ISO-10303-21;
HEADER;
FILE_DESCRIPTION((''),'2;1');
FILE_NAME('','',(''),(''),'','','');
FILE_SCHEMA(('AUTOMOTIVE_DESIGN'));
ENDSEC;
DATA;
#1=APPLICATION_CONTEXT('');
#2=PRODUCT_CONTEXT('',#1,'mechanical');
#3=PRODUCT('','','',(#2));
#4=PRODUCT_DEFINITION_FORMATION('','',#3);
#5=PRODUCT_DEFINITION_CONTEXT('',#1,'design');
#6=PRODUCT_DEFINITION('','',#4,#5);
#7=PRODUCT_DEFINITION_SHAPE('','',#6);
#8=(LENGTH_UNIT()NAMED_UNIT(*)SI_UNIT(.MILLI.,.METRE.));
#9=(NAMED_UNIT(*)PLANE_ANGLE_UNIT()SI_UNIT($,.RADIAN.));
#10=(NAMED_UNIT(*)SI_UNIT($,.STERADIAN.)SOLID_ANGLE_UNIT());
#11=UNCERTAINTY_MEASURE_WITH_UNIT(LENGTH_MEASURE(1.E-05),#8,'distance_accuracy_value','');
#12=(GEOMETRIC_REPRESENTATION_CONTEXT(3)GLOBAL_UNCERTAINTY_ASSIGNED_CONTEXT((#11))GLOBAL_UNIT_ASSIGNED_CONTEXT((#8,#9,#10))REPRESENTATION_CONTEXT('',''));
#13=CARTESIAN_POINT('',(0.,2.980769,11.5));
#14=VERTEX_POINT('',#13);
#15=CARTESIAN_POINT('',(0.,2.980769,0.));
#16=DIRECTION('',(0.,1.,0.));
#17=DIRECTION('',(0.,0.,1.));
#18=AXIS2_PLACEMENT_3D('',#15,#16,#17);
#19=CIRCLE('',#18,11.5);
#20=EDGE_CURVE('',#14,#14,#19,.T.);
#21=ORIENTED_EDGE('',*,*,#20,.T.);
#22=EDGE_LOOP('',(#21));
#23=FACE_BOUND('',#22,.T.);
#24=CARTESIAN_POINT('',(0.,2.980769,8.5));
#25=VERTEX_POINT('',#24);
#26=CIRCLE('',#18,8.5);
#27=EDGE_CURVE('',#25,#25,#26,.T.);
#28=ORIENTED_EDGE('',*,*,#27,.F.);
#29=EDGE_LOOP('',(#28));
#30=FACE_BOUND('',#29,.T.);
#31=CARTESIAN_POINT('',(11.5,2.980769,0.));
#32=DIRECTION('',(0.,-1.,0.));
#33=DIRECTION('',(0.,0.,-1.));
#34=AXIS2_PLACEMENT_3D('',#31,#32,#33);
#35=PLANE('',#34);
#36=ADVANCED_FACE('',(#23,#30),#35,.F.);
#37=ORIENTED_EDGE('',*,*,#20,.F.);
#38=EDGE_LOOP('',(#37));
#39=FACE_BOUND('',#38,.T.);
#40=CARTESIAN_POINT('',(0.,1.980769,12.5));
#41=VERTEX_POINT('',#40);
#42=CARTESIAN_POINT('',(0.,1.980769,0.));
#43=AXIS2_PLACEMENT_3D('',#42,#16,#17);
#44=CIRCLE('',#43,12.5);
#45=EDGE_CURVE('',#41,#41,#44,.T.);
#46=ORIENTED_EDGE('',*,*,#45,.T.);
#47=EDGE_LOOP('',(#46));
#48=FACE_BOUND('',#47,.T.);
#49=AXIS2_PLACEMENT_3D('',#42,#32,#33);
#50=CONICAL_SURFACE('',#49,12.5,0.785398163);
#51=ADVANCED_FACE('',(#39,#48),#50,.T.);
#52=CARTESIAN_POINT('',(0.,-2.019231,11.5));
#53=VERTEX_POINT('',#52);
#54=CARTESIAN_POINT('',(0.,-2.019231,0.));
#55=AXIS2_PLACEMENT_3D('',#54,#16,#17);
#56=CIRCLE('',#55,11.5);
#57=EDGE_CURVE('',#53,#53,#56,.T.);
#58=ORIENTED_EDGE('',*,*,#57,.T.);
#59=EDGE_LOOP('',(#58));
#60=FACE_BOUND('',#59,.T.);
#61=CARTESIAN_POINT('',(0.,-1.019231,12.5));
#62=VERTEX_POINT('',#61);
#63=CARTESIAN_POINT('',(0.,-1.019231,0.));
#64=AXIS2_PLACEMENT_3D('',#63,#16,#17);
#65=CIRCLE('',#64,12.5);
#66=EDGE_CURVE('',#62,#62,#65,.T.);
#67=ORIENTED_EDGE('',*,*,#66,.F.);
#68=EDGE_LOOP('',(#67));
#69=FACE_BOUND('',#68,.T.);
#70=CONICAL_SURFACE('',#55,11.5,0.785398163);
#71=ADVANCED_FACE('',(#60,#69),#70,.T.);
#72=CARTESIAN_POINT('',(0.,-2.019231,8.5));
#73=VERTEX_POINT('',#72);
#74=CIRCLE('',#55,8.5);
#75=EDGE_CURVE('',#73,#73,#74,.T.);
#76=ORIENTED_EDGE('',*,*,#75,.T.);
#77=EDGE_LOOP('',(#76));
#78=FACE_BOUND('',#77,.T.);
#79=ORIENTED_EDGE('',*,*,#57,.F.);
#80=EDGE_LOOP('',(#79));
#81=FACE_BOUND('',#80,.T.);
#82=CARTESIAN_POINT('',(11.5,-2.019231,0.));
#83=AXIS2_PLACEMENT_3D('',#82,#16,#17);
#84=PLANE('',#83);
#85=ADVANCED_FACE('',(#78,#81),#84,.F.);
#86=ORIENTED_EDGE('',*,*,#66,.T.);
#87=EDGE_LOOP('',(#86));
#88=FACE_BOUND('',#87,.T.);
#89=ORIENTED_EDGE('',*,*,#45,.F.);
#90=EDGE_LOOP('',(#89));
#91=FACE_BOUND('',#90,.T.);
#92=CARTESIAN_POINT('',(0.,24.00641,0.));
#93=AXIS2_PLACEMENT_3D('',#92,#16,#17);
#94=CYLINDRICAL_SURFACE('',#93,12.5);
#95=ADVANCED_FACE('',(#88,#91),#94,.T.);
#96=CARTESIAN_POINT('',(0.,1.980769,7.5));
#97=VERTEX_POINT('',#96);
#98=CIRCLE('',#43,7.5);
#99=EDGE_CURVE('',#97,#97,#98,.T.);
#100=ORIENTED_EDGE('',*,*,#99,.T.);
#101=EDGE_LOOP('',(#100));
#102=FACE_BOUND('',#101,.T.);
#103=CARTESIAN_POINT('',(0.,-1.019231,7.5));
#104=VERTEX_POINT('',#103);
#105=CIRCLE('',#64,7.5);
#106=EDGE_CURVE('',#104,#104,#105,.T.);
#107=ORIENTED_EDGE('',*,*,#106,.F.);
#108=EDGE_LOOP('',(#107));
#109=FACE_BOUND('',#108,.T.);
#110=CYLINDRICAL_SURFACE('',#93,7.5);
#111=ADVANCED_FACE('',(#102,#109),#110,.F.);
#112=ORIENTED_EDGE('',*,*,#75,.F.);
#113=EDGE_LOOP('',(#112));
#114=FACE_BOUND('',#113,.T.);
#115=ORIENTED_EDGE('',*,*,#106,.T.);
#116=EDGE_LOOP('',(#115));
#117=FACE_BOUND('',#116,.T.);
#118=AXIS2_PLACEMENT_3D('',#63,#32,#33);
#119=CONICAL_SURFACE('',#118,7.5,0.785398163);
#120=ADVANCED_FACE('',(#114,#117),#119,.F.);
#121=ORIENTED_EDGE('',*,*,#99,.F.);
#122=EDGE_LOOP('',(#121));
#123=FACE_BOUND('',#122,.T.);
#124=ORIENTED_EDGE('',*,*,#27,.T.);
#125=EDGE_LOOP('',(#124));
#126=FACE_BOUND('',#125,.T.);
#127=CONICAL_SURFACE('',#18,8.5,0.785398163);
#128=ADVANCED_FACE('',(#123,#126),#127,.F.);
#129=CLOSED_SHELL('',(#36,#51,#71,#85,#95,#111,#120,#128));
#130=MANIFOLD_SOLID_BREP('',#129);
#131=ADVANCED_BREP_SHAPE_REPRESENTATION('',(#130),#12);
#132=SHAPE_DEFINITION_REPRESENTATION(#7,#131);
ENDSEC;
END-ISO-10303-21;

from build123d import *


with BuildPart() as part:
    # Sketch1 → Revolve1 (revolve)
    with BuildSketch(Plane.XY, mode=Mode.PRIVATE) as revolve1_sk:
        Polygon((7.5, 1.980769231), (8.5, 2.980769231), (11.5, 2.980769231), (12.5, 1.980769231), (12.5, -1.019230769), (11.5, -2.019230769), (8.5, -2.019230769), (7.5, -1.019230769), align=None)
    revolve(revolve1_sk.sketch.rotate(Axis((0, 24.006410256, 0), (0, -1, 0)), 90), axis=Axis((0, 24.006410256, 0), (0, -1, 0)))


solid = part.part
